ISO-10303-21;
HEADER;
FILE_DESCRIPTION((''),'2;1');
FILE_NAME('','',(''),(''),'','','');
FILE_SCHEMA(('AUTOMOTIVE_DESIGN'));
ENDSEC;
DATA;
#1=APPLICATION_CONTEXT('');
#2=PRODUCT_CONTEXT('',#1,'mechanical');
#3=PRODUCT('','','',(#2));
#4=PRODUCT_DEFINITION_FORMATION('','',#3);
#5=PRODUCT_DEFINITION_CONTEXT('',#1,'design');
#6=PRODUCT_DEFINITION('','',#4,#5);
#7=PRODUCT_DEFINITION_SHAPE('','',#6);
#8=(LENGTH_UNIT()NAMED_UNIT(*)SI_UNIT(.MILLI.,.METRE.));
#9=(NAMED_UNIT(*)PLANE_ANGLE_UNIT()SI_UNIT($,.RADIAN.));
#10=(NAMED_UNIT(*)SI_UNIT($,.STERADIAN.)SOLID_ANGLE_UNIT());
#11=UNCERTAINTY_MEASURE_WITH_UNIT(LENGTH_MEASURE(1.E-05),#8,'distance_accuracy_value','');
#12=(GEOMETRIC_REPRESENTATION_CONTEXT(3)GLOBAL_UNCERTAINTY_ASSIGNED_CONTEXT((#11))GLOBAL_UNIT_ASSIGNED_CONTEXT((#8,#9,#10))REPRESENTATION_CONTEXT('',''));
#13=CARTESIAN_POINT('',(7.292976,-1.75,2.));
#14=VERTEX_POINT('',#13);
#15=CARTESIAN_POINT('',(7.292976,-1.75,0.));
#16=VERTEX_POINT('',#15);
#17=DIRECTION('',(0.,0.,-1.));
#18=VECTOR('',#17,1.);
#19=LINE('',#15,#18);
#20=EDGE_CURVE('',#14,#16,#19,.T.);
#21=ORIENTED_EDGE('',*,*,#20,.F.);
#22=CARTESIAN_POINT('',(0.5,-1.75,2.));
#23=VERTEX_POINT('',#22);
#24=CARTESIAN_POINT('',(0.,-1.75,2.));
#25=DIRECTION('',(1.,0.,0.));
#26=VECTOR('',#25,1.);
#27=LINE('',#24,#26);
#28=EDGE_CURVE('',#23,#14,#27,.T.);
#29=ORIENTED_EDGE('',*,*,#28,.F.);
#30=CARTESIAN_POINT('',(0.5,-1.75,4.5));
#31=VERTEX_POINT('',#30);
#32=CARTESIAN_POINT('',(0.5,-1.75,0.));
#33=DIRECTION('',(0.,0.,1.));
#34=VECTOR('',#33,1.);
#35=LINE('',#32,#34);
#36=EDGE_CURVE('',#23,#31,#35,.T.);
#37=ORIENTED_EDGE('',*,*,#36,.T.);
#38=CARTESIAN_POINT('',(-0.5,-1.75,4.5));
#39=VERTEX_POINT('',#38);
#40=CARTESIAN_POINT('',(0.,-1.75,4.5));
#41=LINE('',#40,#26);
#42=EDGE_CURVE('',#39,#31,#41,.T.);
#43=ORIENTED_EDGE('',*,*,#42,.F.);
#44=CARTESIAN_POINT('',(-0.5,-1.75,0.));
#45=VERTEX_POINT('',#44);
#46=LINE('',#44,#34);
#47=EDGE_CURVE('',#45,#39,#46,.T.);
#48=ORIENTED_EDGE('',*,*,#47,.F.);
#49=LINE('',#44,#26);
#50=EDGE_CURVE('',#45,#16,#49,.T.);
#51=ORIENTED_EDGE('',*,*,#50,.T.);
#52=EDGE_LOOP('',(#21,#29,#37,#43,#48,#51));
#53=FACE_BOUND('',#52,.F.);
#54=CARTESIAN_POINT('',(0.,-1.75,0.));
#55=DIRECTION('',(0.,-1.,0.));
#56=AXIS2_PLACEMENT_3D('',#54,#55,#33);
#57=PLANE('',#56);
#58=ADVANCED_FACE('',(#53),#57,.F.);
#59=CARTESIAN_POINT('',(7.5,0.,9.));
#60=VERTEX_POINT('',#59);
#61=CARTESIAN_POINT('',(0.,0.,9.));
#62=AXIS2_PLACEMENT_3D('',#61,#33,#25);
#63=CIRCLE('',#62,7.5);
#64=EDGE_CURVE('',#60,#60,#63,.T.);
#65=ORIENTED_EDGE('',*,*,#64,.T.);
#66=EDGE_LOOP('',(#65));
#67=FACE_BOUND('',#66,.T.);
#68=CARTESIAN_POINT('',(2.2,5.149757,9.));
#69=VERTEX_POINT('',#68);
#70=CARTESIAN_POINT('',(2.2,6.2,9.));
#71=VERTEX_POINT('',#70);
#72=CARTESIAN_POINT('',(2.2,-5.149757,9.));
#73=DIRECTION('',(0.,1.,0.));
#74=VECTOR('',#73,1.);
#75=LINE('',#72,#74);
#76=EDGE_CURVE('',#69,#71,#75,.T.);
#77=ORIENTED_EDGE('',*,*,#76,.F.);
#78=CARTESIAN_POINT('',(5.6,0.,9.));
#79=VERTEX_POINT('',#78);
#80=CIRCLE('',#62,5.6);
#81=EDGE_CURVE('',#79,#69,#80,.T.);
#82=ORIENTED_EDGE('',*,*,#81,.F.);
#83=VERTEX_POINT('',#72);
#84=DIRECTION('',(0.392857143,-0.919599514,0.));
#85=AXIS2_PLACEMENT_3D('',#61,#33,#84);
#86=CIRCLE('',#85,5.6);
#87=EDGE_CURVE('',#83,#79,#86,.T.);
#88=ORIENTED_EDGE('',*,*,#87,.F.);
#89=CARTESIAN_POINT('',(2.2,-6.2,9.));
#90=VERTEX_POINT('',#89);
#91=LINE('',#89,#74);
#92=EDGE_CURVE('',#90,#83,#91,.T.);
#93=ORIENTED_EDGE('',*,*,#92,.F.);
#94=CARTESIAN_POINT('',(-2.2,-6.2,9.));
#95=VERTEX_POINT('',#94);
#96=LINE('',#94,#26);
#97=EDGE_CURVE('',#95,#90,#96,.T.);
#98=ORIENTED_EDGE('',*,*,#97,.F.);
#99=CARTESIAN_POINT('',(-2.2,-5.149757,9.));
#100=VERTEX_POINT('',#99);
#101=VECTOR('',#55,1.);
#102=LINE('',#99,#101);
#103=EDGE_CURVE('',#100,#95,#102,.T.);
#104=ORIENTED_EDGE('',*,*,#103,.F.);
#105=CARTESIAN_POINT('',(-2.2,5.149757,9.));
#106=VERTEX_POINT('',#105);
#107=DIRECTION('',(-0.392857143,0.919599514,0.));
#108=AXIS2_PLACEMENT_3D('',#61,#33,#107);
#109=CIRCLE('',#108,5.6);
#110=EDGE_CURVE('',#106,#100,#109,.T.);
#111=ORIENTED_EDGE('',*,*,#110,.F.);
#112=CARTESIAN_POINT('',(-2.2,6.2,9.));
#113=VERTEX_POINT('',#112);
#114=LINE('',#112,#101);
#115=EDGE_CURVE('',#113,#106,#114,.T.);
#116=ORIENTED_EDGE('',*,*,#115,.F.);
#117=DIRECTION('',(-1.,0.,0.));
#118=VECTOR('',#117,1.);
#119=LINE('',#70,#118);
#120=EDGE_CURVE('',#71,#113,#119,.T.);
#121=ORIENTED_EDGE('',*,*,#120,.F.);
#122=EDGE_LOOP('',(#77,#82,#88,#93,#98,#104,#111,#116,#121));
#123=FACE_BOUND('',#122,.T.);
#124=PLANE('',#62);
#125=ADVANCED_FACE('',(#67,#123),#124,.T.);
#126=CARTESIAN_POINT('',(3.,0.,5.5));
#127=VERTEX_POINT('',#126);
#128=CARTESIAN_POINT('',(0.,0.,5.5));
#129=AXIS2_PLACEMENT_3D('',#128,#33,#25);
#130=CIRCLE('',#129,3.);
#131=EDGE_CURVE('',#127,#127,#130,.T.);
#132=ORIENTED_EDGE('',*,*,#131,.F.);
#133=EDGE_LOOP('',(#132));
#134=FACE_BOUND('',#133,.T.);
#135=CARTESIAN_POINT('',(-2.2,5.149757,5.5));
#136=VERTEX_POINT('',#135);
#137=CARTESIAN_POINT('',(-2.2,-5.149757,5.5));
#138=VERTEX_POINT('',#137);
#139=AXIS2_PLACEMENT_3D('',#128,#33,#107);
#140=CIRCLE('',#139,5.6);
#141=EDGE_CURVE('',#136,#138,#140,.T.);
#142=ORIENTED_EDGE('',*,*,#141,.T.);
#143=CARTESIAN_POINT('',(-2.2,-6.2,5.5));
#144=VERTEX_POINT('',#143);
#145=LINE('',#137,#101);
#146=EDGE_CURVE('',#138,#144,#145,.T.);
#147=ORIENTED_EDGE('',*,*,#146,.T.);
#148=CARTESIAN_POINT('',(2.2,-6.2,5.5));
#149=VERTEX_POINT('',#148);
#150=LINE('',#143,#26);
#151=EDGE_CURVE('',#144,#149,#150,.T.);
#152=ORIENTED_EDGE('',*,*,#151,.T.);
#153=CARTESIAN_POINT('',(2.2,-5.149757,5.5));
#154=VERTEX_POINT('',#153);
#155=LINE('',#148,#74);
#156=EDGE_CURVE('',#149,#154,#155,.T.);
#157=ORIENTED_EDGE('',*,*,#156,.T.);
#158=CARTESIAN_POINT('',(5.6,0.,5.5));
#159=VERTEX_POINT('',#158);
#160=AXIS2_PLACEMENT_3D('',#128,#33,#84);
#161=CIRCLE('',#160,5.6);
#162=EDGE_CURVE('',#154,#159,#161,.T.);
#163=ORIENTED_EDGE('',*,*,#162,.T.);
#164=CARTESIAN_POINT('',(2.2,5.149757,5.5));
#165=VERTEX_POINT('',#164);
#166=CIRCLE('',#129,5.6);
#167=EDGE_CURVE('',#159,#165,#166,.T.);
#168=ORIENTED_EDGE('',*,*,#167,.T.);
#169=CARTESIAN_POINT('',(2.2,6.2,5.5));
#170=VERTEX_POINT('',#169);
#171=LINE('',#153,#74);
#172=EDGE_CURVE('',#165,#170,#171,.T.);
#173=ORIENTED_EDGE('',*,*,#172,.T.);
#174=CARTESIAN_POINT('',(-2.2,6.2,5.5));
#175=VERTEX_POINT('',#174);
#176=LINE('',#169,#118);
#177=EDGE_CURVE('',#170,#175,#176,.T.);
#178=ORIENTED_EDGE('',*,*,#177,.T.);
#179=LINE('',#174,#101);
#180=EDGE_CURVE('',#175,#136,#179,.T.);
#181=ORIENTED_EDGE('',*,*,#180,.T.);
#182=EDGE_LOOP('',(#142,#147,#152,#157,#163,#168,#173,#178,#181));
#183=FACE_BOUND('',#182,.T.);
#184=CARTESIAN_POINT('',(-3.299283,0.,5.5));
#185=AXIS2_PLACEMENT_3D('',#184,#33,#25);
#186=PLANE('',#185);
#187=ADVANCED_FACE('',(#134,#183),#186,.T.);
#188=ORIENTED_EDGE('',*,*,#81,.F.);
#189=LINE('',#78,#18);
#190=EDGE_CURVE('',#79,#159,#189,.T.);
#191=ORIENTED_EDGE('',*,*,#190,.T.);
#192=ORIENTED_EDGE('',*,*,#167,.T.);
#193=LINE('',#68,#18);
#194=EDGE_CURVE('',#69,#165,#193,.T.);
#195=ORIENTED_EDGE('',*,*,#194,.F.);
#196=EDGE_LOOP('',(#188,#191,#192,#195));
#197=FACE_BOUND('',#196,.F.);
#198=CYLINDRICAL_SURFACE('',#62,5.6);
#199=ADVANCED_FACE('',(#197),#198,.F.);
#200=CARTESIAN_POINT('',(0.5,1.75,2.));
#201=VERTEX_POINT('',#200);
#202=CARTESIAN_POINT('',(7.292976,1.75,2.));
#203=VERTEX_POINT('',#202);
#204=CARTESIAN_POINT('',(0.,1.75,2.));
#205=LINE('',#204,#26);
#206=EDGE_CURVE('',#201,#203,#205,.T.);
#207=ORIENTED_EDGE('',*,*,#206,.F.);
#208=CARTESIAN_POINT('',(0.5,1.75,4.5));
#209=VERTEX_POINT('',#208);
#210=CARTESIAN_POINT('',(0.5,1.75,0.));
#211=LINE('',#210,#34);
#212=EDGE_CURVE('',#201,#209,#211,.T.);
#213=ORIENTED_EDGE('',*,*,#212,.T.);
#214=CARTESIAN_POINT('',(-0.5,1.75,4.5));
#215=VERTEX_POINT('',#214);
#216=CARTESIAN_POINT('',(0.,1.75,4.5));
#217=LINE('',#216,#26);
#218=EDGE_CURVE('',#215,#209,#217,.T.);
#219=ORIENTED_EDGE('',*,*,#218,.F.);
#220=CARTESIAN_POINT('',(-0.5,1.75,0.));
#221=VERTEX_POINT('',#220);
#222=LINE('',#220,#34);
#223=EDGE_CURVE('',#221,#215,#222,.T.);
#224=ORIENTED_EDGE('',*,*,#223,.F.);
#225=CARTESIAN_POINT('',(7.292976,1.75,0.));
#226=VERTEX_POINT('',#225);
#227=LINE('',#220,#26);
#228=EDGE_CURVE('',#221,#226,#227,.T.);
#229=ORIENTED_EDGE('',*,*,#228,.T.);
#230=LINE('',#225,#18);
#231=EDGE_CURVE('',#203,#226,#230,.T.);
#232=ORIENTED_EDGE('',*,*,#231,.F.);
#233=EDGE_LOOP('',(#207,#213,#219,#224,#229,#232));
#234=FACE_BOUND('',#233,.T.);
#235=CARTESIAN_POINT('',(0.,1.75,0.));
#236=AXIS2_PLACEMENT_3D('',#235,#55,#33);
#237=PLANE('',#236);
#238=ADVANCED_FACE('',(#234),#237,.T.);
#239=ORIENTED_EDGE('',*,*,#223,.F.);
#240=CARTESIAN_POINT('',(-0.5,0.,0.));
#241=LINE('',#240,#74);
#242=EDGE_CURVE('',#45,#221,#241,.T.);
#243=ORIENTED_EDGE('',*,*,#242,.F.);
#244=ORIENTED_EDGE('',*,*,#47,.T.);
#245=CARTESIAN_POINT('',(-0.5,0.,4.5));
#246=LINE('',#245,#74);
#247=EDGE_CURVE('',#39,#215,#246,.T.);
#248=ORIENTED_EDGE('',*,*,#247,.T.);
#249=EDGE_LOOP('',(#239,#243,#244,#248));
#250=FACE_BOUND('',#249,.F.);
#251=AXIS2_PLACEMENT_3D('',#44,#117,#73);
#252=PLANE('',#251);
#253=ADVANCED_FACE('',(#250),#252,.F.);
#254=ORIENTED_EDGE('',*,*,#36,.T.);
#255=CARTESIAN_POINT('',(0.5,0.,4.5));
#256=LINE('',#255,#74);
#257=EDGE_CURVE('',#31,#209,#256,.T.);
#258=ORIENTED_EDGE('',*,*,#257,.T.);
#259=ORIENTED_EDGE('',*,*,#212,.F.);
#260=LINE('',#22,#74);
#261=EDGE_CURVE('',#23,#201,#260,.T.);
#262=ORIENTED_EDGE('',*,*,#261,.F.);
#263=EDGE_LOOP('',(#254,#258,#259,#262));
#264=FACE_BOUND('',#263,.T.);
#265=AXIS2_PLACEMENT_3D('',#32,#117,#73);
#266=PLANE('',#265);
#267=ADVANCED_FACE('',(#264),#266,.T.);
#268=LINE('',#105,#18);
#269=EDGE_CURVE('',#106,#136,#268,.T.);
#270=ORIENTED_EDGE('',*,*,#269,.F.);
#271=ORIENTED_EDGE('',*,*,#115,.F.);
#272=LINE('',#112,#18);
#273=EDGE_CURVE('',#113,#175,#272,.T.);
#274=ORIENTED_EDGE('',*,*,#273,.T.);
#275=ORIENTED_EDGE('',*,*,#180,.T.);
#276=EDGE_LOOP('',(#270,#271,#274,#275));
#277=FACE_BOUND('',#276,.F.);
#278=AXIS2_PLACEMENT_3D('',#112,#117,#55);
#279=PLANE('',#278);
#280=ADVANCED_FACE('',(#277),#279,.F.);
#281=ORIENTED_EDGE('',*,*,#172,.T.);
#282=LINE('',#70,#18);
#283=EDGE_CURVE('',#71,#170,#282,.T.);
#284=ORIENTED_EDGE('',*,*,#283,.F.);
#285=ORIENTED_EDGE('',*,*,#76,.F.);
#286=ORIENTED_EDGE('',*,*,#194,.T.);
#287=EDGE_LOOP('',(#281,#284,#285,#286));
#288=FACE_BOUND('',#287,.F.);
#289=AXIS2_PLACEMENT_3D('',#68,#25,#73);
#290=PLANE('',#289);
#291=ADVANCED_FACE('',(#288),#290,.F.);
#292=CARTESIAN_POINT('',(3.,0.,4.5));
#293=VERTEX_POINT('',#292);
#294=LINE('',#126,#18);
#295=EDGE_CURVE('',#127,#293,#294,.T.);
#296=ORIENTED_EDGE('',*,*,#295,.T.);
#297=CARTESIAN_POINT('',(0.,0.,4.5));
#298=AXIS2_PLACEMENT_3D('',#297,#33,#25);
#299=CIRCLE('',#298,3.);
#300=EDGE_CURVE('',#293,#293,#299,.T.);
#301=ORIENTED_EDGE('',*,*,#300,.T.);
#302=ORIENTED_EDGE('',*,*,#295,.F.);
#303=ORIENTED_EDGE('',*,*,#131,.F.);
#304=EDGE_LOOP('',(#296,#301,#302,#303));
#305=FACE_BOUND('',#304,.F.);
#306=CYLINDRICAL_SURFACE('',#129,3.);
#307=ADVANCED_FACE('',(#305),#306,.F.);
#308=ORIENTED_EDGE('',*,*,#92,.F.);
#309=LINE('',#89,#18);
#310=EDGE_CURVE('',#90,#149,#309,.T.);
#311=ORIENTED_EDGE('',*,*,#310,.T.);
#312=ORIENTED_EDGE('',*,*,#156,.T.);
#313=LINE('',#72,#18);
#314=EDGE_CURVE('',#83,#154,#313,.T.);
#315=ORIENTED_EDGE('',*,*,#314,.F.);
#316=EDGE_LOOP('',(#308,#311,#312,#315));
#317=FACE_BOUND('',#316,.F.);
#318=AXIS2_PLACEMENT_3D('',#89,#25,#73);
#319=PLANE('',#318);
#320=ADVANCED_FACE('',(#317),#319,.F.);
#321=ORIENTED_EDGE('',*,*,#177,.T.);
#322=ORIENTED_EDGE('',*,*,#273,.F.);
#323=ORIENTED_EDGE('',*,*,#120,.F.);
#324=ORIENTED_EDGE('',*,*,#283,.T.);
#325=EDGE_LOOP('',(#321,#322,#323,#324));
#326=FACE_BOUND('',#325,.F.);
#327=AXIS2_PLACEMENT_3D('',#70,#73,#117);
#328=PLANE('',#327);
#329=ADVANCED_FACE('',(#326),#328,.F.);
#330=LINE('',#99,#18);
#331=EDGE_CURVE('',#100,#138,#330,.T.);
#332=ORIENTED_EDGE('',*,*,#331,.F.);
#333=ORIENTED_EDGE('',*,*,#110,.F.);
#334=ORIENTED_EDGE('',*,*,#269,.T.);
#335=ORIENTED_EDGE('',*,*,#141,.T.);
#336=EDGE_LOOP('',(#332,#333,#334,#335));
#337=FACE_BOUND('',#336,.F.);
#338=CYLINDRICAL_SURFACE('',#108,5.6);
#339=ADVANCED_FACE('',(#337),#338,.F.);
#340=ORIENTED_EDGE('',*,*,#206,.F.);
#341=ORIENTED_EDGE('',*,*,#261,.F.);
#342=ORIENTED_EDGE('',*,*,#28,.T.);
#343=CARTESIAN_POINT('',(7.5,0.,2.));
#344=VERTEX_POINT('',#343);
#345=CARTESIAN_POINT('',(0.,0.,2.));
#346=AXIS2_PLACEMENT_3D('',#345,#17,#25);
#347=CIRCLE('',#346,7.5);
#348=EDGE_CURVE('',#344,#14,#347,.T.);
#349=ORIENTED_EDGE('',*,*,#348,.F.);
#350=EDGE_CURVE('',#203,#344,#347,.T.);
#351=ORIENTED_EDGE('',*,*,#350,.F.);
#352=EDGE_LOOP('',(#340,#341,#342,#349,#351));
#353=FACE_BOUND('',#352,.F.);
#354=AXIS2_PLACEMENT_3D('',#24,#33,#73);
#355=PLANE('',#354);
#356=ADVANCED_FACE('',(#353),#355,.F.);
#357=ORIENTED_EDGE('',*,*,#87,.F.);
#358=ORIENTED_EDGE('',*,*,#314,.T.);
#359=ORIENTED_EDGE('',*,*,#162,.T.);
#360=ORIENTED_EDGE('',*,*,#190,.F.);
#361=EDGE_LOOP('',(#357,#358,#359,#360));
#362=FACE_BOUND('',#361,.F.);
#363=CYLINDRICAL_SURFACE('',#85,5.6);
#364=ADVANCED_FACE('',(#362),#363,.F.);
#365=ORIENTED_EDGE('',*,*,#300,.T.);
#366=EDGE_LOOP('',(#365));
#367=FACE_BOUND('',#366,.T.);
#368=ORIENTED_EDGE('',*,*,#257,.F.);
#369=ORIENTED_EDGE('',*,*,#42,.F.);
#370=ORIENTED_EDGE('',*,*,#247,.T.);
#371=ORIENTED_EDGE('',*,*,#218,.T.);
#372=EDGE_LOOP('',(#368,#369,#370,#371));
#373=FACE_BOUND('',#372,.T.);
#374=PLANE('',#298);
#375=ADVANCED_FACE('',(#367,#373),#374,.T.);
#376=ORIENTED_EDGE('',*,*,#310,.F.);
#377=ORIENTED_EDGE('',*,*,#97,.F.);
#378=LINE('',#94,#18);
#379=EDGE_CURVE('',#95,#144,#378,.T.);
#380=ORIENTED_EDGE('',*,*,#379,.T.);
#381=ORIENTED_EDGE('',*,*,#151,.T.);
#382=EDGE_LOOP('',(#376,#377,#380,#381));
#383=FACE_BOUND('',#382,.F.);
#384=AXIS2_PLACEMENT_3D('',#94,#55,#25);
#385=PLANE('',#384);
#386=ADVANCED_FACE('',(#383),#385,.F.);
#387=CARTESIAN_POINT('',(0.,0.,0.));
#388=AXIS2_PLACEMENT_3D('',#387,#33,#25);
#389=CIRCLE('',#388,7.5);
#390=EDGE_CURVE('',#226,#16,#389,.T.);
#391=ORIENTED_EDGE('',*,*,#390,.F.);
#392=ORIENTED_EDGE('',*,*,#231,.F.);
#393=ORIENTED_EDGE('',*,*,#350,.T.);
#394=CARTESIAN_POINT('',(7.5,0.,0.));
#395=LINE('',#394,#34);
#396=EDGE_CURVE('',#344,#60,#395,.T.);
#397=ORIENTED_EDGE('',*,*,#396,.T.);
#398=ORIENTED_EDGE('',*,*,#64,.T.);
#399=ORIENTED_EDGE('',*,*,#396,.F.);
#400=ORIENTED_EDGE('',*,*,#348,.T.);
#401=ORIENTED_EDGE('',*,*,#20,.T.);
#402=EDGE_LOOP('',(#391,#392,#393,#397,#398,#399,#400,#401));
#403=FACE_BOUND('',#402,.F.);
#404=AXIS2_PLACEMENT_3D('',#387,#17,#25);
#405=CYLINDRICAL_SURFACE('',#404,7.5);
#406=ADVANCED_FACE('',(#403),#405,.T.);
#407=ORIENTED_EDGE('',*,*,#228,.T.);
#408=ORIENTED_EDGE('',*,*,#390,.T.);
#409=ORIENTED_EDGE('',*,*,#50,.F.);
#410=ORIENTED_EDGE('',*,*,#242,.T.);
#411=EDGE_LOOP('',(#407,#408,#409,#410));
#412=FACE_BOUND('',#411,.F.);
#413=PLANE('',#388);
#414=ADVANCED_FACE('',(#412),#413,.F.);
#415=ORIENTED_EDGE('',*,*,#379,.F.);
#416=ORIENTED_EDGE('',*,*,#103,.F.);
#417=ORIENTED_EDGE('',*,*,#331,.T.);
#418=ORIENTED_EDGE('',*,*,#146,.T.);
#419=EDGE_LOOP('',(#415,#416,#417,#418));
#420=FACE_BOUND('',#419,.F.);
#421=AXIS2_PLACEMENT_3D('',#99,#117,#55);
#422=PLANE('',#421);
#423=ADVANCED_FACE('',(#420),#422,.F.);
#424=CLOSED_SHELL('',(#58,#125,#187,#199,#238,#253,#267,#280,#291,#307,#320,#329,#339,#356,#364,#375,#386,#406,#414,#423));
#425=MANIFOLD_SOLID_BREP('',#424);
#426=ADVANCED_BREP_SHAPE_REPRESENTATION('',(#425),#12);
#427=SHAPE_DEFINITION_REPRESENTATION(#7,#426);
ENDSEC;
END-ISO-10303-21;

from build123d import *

# Parameters (mm, degrees)
F0_R     = 7.5
F0_W     = 1
F0_H     = 3.5
F1_DEPTH = 9
F2_W     = 3.5
F2_H     = 2
F3_DEPTH = 10
F4_W     = 1
F4_H     = 3.5
F5_DEPTH = 3.5
F6_R     = 3
F6_W     = 1
F6_H     = 3.5
F7_DEPTH = 1


with BuildPart() as f1:
    # F0 (on Top) → F1 (new body)
    with BuildSketch(Plane.XY):
        Circle(F0_R)
        Rectangle(F0_W, F0_H, mode=Mode.SUBTRACT)
    extrude(amount=F1_DEPTH)

    # F2 (on Right) → F3 (cut)
    with BuildSketch(Plane.YZ):
        with Locations((0, 1)):
            Rectangle(F2_W, F2_H)
    extrude(amount=F3_DEPTH, mode=Mode.SUBTRACT)

    # F4 (on face) → F5 (cut)
    with BuildSketch(Plane.XY.offset(9)):
        with BuildLine():
            Line((-2.2, -5.1497572758), (-2.2, 5.1497572758))
            ThreePointArc((-2.2, 5.1497572758), (-5.6, 0), (-2.2, -5.1497572758))
        make_face()
        with BuildLine():
            Line((2.2, 6.2), (-2.2, 6.2))
            Line((-2.2, 6.2), (-2.2, 5.1497572758))
            ThreePointArc((-2.2, 5.1497572758), (0, 5.6), (2.2, 5.1497572758))
            Line((2.2, 5.1497572758), (2.2, 6.2))
        make_face()
        with BuildLine():
            ThreePointArc((2.2, 5.1497572758), (0, 5.6), (-2.2, 5.1497572758))
            Line((-2.2, 5.1497572758), (-2.2, -5.1497572758))
            ThreePointArc((-2.2, -5.1497572758), (0, -5.6), (2.2, -5.1497572758))
            Line((2.2, -5.1497572758), (2.2, 5.1497572758))
        make_face()
        Rectangle(F4_W, F4_H, mode=Mode.SUBTRACT)
        with BuildLine():
            ThreePointArc((5.6, 0), (4.6733285782, 3.0854497241), (2.2, 5.1497572758))
            Line((2.2, 5.1497572758), (2.2, -5.1497572758))
            ThreePointArc((2.2, -5.1497572758), (4.6733285782, -3.0854497241), (5.6, 0))
        make_face()
        with BuildLine():
            ThreePointArc((2.2, -5.1497572758), (0, -5.6), (-2.2, -5.1497572758))
            Line((-2.2, -5.1497572758), (-2.2, -6.2))
            Line((-2.2, -6.2), (2.2, -6.2))
            Line((2.2, -6.2), (2.2, -5.1497572758))
        make_face()
    extrude(amount=-F5_DEPTH, mode=Mode.SUBTRACT)

    # F6 (on face) → F7 (cut)
    with BuildSketch(Plane.XY.offset(5.5)):
        Circle(F6_R)
        Rectangle(F6_W, F6_H, mode=Mode.SUBTRACT)
    extrude(amount=-F7_DEPTH, mode=Mode.SUBTRACT)


solid = f1.part
